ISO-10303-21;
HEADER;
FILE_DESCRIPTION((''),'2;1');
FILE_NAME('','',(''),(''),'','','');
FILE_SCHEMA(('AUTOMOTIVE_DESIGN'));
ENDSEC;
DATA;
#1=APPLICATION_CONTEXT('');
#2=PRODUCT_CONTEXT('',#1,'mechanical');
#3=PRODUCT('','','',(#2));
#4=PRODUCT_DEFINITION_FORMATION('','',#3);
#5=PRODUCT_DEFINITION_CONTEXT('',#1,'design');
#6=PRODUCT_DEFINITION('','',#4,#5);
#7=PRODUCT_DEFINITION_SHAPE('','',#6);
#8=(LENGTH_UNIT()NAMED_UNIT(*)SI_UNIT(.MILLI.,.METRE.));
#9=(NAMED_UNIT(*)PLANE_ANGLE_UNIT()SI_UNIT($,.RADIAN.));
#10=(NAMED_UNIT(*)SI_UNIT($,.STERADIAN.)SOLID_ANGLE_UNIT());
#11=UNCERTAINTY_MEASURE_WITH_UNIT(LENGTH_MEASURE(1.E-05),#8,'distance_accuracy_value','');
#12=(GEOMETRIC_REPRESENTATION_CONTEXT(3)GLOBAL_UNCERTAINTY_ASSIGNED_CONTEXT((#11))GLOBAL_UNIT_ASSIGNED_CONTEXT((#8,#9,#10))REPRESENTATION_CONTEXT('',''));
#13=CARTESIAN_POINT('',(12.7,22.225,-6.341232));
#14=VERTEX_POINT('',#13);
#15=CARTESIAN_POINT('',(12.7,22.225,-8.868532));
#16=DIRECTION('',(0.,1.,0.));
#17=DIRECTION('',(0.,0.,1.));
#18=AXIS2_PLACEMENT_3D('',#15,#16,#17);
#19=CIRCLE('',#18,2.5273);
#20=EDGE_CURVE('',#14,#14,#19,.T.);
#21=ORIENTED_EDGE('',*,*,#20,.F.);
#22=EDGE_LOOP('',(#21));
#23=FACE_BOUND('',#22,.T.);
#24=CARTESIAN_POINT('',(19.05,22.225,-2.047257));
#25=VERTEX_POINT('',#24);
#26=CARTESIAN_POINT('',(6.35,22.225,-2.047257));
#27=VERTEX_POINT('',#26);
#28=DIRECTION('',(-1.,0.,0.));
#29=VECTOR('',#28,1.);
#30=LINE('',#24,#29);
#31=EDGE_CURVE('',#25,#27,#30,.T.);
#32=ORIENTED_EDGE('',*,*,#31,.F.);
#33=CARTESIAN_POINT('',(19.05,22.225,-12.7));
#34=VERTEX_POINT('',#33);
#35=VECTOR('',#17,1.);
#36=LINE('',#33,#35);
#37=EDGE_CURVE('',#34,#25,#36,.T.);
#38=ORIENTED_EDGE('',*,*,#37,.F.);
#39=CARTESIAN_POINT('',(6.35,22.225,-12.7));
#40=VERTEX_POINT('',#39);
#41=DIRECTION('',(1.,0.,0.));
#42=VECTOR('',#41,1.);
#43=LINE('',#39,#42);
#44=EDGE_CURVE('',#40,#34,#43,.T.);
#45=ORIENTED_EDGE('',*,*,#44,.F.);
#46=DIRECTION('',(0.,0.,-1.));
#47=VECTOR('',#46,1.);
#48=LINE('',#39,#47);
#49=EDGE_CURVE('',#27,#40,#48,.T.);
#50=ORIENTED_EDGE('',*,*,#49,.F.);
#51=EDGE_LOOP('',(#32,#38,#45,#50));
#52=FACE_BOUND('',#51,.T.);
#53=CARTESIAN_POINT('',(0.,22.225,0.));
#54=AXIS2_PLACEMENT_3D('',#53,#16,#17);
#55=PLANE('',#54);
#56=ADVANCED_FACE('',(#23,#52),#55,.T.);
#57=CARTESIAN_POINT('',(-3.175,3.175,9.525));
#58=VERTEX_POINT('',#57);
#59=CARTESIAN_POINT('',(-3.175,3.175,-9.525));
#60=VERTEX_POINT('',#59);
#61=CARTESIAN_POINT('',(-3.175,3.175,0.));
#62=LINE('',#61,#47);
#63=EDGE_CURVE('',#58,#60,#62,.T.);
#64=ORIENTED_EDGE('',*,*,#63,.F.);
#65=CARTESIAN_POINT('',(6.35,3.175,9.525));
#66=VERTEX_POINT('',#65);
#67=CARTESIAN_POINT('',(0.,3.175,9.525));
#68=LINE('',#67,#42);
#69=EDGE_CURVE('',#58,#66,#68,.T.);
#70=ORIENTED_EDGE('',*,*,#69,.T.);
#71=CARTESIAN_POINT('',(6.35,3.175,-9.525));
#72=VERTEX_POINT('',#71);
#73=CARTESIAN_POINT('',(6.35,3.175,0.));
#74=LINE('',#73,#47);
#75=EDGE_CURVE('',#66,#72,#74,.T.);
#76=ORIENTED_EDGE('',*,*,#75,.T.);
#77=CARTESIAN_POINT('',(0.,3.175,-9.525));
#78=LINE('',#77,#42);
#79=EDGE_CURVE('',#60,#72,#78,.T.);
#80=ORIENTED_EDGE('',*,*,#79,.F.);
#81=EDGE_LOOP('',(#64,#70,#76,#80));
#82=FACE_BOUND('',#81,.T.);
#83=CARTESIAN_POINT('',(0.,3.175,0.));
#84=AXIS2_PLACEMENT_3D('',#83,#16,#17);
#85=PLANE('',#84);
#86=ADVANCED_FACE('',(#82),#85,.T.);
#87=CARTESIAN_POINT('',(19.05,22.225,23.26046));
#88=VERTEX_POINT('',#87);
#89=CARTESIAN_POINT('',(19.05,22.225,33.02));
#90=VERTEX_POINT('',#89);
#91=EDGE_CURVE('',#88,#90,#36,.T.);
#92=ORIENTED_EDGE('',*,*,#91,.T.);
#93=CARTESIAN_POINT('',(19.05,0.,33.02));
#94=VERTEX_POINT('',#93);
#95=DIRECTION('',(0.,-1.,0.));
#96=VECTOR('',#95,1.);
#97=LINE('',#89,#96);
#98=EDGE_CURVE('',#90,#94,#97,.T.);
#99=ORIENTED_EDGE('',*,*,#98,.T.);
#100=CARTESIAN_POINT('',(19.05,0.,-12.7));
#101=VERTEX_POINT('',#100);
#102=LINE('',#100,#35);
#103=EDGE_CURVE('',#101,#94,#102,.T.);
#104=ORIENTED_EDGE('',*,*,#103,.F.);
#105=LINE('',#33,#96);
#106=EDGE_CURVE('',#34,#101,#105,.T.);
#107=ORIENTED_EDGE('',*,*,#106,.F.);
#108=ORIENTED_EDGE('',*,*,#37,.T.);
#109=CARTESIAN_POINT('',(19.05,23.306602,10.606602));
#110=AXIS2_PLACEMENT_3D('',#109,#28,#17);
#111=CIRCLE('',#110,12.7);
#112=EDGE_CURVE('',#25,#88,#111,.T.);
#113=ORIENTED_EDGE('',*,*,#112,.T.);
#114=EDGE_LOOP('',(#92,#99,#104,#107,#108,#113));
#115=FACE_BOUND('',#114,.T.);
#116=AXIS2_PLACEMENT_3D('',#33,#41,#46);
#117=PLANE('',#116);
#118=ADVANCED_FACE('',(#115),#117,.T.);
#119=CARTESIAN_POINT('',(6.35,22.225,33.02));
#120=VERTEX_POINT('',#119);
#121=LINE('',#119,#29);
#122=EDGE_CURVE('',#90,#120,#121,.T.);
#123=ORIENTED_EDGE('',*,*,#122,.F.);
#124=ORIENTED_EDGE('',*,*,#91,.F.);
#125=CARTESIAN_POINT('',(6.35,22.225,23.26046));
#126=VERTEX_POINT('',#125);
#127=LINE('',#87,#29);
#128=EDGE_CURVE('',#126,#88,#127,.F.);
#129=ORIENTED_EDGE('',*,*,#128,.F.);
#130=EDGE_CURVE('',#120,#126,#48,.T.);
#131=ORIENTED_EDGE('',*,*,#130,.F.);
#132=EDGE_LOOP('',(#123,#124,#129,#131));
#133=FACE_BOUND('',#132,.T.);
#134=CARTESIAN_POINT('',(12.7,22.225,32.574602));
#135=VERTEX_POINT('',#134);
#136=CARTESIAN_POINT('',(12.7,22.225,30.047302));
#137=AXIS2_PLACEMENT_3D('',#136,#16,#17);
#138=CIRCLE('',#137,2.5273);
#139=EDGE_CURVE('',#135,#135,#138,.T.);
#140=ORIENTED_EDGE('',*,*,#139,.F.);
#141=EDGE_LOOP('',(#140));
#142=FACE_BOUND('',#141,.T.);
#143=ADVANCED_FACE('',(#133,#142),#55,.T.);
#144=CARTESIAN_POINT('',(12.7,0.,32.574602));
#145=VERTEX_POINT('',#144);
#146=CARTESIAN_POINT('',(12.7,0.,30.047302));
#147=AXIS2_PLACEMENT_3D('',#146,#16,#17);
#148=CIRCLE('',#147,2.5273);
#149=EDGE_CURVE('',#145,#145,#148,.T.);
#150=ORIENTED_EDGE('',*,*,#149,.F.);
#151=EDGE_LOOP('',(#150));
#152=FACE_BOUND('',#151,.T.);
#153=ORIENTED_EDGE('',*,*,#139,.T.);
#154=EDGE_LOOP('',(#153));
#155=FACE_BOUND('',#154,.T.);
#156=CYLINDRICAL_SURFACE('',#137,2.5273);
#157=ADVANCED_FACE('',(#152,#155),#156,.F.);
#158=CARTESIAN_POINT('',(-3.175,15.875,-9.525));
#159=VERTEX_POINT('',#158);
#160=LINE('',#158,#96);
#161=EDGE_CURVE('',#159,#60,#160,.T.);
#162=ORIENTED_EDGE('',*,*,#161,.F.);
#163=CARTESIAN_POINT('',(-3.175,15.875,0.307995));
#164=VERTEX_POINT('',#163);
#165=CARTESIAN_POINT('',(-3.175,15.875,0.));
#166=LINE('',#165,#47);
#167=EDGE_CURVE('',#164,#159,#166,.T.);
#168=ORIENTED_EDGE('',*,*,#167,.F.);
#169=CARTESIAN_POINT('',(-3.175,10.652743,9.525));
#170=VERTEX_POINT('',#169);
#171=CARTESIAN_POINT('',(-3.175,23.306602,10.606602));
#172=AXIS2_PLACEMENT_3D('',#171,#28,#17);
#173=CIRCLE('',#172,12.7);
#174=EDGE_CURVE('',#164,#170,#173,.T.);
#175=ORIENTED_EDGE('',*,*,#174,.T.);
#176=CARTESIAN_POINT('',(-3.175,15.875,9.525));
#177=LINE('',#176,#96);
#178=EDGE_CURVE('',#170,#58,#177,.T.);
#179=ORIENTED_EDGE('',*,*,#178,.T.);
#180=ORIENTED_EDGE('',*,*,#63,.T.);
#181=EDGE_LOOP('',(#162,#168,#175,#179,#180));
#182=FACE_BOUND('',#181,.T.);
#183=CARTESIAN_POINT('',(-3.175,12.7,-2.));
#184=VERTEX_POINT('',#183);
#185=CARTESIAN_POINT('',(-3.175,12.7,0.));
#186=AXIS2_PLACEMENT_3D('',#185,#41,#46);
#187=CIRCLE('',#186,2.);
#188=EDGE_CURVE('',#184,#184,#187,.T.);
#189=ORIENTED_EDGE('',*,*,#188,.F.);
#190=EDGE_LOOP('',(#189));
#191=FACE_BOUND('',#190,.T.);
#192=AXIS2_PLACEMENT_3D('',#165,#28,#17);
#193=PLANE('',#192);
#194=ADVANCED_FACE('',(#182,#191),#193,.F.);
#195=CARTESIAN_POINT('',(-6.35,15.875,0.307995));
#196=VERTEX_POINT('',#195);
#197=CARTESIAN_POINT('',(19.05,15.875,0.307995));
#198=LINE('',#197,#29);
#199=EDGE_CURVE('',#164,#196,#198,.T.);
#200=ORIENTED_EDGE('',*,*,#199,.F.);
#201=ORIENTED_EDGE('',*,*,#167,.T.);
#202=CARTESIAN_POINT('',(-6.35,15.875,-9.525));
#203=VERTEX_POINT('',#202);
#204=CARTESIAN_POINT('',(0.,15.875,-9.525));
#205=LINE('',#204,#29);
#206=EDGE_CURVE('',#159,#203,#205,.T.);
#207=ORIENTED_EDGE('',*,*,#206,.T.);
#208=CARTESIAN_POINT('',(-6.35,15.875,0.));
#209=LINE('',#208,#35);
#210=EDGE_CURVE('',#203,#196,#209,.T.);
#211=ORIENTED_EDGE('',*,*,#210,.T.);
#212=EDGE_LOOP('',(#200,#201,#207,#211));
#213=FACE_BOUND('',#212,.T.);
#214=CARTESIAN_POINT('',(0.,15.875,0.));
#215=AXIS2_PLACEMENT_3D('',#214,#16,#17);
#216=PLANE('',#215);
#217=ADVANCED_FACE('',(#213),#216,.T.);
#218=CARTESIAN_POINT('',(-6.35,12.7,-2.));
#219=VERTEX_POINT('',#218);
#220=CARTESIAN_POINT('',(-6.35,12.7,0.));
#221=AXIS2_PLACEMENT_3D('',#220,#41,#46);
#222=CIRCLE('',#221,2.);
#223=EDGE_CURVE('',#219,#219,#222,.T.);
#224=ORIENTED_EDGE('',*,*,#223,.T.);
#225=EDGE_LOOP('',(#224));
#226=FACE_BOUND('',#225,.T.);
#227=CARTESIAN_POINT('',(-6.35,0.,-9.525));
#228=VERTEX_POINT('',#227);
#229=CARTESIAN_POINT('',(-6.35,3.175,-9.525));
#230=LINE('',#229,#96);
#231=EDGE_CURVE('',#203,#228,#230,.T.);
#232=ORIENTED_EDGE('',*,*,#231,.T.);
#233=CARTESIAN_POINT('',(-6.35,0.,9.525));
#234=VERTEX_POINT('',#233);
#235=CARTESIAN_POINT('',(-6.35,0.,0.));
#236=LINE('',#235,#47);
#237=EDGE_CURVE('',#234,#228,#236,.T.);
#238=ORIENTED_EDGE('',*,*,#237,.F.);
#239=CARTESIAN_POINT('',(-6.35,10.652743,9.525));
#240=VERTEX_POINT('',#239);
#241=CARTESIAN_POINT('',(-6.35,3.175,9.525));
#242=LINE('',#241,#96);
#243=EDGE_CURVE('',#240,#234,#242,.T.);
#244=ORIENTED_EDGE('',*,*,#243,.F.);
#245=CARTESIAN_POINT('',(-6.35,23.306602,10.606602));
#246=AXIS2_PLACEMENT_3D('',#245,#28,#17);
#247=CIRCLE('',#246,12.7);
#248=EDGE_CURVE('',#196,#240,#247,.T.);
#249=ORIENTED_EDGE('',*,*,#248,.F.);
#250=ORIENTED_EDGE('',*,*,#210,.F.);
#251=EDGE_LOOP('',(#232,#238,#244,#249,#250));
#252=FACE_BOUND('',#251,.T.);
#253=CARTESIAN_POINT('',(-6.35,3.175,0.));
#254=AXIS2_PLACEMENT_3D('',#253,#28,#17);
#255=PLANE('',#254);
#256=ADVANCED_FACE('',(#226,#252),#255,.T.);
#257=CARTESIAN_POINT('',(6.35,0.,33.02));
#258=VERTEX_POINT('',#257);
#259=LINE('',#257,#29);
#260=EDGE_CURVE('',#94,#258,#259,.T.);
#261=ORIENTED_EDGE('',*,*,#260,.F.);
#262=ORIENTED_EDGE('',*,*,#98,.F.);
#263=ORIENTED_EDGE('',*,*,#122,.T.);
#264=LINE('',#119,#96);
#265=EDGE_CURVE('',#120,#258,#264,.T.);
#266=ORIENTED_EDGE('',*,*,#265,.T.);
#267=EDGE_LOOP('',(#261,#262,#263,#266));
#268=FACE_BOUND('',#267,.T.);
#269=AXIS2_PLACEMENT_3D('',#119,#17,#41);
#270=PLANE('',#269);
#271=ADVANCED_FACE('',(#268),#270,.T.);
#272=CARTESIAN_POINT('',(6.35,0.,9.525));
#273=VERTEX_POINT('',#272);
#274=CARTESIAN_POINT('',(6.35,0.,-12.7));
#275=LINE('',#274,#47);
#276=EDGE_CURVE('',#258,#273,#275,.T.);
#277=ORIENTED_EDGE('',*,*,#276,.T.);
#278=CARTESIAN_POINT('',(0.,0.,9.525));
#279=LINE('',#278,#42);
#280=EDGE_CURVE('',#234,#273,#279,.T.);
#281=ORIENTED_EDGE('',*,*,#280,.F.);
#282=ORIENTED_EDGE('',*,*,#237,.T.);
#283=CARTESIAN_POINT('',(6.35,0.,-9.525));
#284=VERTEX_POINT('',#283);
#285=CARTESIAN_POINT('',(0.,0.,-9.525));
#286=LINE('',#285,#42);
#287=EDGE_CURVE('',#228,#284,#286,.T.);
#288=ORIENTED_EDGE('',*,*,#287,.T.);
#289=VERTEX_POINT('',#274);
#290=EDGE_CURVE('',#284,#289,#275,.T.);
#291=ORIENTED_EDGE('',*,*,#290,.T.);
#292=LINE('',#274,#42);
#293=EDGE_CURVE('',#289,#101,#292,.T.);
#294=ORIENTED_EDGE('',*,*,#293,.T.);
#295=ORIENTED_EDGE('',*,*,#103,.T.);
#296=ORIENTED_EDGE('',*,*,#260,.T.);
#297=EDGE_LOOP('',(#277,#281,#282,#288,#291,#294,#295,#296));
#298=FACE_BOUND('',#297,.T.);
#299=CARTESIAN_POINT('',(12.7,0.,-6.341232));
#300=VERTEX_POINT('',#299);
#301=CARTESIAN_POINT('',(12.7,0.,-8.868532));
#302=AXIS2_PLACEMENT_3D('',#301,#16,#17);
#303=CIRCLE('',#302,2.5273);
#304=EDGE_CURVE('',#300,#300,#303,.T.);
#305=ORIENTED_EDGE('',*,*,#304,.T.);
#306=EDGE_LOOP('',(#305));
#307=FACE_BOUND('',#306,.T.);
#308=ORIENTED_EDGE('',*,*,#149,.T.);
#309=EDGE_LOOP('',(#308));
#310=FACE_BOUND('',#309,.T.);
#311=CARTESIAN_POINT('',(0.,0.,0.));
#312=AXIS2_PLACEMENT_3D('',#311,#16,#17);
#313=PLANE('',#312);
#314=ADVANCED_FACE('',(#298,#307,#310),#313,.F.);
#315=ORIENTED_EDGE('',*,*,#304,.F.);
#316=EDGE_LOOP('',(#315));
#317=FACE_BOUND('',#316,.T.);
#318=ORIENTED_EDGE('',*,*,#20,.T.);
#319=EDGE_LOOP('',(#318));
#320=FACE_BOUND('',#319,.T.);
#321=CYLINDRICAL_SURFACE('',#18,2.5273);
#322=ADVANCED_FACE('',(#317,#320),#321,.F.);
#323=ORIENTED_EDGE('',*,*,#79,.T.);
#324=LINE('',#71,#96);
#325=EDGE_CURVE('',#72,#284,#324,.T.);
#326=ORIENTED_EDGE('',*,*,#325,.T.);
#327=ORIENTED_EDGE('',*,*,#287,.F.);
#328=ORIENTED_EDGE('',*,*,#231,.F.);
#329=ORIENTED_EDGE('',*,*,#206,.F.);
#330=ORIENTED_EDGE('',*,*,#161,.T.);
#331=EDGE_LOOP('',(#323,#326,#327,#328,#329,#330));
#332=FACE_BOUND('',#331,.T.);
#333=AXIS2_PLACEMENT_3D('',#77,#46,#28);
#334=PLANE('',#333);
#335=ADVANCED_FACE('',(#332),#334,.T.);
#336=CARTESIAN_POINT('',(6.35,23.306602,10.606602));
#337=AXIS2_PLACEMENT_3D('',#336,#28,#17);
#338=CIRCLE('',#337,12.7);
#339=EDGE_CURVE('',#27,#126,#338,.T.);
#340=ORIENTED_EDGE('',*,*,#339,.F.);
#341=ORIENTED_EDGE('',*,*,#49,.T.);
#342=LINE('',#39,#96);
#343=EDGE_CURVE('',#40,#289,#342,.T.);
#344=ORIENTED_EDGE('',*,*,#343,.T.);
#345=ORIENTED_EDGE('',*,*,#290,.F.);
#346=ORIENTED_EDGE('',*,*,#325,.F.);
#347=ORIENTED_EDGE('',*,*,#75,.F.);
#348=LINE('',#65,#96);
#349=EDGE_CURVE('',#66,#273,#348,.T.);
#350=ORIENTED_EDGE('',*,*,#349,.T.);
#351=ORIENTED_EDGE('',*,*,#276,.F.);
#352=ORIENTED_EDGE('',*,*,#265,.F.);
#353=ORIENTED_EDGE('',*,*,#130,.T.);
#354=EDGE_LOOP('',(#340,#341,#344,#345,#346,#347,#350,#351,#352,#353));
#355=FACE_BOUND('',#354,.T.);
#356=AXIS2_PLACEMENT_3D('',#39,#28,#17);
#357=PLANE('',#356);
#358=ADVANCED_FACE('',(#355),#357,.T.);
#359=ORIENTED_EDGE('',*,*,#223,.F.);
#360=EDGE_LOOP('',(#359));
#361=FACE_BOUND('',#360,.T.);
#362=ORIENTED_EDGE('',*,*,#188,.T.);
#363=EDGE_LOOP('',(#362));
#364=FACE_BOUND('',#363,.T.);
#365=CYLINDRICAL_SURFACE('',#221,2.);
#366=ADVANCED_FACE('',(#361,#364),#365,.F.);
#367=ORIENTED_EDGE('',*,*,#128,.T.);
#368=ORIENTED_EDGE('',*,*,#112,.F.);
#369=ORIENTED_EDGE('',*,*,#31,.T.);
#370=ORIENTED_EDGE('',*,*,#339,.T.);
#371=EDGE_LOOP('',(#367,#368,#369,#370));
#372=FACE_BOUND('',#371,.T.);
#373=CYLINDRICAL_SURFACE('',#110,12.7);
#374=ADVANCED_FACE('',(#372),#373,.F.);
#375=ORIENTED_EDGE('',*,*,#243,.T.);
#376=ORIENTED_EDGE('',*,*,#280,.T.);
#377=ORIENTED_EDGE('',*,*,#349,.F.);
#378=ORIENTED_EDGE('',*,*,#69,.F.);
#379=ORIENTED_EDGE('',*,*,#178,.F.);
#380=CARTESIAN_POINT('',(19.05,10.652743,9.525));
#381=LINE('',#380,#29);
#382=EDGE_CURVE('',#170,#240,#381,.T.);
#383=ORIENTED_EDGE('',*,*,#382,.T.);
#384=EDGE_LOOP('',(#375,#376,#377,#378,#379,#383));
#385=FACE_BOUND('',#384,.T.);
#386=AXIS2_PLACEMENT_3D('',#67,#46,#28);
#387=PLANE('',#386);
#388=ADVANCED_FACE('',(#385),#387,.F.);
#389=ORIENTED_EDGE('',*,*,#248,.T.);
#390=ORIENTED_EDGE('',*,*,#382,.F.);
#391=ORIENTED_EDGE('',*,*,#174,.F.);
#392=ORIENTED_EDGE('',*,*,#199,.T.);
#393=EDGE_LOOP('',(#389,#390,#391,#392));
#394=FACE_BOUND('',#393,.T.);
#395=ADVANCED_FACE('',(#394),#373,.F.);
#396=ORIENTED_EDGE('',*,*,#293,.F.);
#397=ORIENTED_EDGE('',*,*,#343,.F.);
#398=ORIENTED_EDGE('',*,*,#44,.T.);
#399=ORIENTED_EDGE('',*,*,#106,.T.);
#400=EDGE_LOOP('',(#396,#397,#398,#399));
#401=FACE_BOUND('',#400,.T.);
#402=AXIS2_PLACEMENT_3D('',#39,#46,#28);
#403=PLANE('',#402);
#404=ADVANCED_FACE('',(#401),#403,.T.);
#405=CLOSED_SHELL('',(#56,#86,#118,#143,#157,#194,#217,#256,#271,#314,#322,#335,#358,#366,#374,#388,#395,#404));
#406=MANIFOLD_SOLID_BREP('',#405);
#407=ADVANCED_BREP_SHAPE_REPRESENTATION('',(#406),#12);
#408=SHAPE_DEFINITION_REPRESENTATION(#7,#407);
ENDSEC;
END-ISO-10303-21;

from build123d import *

# Parameters (mm, degrees)
SKETCH1_W                      = 9.525
SKETCH1_H                      = 19.05
SKETCH1_W_2                    = 3.175
BOSS_EXTRUDE1_DEPTH            = 3.175
BOSS_EXTRUDE2_START            = 3.175
SKETCH1_3_W                    = 3.175
SKETCH1_3_H                    = 19.05
BOSS_EXTRUDE2_DEPTH            = 12.7
SKETCH2_R                      = 2
CUT_EXTRUDE1_DEPTH             = 21.819867315
SKETCH4_W                      = 12.7
SKETCH4_H                      = 45.72
BOSS_EXTRUDE3_DEPTH            = 22.225
SKETCH3_R                      = 12.7
CUT_EXTRUDE2_DEPTH             = 48.21685107
F_8_0_199_DIAMETER_HOLE1_D     = 5.0546
F_8_0_199_DIAMETER_HOLE1_DEPTH = 61.468
F_8_0_199_DIAMETER_HOLE1_TIP   = 1.518555042


with BuildPart() as part:
    # Sketch1 → Boss-Extrude1 (new body)
    with BuildSketch(Plane(origin=(0, 0, 0), x_dir=(1, 0, 0), z_dir=(0, 1, 0))):
        with Locations((1.5875, 0)):
            Rectangle(SKETCH1_W, SKETCH1_H)
        with Locations((-4.7625, 0)):
            Rectangle(SKETCH1_W_2, SKETCH1_H)
    extrude(amount=BOSS_EXTRUDE1_DEPTH)

    # Sketch1<3> → Boss-Extrude2 (add)
    with BuildSketch(Plane(origin=(0, 0, 0), x_dir=(1, 0, 0), z_dir=(0, 1, 0)).offset(BOSS_EXTRUDE2_START)):
        with Locations((-4.7625, 0)):
            Rectangle(SKETCH1_3_W, SKETCH1_3_H)
    extrude(amount=BOSS_EXTRUDE2_DEPTH)

    # Sketch2 → Cut-Extrude1 (cut, through all)
    with BuildSketch(Plane(origin=(-3.175, 0, 0), x_dir=(0, 0, -1), z_dir=(1, 0, 0))):
        with Locations((0, 12.7)):
            Circle(SKETCH2_R)
    extrude(amount=-CUT_EXTRUDE1_DEPTH, mode=Mode.SUBTRACT)

    # Sketch4 → Boss-Extrude3 (add)
    with BuildSketch(Plane.XZ):
        with Locations((12.7, 10.16)):
            Rectangle(SKETCH4_W, SKETCH4_H)
    extrude(amount=-BOSS_EXTRUDE3_DEPTH)

    # Sketch3 → Cut-Extrude2 (cut, through all)
    with BuildSketch(Plane.ZY.offset(6.35)):
        with Locations((10.606601718, 23.306601718)):
            Circle(SKETCH3_R)
    extrude(amount=-CUT_EXTRUDE2_DEPTH, mode=Mode.SUBTRACT)

    # #8 (0.199) Diameter Hole1
    with Locations(Plane(origin=(0, 22.225, 0), x_dir=(1, 0, 0), z_dir=(0, 1, 0))):
        with Locations((12.7, 8.868531542), (12.7, -30.047302209)):
            Hole(F_8_0_199_DIAMETER_HOLE1_D / 2, depth=F_8_0_199_DIAMETER_HOLE1_DEPTH)
            with Locations((0, 0, -(F_8_0_199_DIAMETER_HOLE1_DEPTH + F_8_0_199_DIAMETER_HOLE1_TIP / 2))):  # 118° drill point
                Cone(0, F_8_0_199_DIAMETER_HOLE1_D / 2, F_8_0_199_DIAMETER_HOLE1_TIP, mode=Mode.SUBTRACT)


solid = part.part
